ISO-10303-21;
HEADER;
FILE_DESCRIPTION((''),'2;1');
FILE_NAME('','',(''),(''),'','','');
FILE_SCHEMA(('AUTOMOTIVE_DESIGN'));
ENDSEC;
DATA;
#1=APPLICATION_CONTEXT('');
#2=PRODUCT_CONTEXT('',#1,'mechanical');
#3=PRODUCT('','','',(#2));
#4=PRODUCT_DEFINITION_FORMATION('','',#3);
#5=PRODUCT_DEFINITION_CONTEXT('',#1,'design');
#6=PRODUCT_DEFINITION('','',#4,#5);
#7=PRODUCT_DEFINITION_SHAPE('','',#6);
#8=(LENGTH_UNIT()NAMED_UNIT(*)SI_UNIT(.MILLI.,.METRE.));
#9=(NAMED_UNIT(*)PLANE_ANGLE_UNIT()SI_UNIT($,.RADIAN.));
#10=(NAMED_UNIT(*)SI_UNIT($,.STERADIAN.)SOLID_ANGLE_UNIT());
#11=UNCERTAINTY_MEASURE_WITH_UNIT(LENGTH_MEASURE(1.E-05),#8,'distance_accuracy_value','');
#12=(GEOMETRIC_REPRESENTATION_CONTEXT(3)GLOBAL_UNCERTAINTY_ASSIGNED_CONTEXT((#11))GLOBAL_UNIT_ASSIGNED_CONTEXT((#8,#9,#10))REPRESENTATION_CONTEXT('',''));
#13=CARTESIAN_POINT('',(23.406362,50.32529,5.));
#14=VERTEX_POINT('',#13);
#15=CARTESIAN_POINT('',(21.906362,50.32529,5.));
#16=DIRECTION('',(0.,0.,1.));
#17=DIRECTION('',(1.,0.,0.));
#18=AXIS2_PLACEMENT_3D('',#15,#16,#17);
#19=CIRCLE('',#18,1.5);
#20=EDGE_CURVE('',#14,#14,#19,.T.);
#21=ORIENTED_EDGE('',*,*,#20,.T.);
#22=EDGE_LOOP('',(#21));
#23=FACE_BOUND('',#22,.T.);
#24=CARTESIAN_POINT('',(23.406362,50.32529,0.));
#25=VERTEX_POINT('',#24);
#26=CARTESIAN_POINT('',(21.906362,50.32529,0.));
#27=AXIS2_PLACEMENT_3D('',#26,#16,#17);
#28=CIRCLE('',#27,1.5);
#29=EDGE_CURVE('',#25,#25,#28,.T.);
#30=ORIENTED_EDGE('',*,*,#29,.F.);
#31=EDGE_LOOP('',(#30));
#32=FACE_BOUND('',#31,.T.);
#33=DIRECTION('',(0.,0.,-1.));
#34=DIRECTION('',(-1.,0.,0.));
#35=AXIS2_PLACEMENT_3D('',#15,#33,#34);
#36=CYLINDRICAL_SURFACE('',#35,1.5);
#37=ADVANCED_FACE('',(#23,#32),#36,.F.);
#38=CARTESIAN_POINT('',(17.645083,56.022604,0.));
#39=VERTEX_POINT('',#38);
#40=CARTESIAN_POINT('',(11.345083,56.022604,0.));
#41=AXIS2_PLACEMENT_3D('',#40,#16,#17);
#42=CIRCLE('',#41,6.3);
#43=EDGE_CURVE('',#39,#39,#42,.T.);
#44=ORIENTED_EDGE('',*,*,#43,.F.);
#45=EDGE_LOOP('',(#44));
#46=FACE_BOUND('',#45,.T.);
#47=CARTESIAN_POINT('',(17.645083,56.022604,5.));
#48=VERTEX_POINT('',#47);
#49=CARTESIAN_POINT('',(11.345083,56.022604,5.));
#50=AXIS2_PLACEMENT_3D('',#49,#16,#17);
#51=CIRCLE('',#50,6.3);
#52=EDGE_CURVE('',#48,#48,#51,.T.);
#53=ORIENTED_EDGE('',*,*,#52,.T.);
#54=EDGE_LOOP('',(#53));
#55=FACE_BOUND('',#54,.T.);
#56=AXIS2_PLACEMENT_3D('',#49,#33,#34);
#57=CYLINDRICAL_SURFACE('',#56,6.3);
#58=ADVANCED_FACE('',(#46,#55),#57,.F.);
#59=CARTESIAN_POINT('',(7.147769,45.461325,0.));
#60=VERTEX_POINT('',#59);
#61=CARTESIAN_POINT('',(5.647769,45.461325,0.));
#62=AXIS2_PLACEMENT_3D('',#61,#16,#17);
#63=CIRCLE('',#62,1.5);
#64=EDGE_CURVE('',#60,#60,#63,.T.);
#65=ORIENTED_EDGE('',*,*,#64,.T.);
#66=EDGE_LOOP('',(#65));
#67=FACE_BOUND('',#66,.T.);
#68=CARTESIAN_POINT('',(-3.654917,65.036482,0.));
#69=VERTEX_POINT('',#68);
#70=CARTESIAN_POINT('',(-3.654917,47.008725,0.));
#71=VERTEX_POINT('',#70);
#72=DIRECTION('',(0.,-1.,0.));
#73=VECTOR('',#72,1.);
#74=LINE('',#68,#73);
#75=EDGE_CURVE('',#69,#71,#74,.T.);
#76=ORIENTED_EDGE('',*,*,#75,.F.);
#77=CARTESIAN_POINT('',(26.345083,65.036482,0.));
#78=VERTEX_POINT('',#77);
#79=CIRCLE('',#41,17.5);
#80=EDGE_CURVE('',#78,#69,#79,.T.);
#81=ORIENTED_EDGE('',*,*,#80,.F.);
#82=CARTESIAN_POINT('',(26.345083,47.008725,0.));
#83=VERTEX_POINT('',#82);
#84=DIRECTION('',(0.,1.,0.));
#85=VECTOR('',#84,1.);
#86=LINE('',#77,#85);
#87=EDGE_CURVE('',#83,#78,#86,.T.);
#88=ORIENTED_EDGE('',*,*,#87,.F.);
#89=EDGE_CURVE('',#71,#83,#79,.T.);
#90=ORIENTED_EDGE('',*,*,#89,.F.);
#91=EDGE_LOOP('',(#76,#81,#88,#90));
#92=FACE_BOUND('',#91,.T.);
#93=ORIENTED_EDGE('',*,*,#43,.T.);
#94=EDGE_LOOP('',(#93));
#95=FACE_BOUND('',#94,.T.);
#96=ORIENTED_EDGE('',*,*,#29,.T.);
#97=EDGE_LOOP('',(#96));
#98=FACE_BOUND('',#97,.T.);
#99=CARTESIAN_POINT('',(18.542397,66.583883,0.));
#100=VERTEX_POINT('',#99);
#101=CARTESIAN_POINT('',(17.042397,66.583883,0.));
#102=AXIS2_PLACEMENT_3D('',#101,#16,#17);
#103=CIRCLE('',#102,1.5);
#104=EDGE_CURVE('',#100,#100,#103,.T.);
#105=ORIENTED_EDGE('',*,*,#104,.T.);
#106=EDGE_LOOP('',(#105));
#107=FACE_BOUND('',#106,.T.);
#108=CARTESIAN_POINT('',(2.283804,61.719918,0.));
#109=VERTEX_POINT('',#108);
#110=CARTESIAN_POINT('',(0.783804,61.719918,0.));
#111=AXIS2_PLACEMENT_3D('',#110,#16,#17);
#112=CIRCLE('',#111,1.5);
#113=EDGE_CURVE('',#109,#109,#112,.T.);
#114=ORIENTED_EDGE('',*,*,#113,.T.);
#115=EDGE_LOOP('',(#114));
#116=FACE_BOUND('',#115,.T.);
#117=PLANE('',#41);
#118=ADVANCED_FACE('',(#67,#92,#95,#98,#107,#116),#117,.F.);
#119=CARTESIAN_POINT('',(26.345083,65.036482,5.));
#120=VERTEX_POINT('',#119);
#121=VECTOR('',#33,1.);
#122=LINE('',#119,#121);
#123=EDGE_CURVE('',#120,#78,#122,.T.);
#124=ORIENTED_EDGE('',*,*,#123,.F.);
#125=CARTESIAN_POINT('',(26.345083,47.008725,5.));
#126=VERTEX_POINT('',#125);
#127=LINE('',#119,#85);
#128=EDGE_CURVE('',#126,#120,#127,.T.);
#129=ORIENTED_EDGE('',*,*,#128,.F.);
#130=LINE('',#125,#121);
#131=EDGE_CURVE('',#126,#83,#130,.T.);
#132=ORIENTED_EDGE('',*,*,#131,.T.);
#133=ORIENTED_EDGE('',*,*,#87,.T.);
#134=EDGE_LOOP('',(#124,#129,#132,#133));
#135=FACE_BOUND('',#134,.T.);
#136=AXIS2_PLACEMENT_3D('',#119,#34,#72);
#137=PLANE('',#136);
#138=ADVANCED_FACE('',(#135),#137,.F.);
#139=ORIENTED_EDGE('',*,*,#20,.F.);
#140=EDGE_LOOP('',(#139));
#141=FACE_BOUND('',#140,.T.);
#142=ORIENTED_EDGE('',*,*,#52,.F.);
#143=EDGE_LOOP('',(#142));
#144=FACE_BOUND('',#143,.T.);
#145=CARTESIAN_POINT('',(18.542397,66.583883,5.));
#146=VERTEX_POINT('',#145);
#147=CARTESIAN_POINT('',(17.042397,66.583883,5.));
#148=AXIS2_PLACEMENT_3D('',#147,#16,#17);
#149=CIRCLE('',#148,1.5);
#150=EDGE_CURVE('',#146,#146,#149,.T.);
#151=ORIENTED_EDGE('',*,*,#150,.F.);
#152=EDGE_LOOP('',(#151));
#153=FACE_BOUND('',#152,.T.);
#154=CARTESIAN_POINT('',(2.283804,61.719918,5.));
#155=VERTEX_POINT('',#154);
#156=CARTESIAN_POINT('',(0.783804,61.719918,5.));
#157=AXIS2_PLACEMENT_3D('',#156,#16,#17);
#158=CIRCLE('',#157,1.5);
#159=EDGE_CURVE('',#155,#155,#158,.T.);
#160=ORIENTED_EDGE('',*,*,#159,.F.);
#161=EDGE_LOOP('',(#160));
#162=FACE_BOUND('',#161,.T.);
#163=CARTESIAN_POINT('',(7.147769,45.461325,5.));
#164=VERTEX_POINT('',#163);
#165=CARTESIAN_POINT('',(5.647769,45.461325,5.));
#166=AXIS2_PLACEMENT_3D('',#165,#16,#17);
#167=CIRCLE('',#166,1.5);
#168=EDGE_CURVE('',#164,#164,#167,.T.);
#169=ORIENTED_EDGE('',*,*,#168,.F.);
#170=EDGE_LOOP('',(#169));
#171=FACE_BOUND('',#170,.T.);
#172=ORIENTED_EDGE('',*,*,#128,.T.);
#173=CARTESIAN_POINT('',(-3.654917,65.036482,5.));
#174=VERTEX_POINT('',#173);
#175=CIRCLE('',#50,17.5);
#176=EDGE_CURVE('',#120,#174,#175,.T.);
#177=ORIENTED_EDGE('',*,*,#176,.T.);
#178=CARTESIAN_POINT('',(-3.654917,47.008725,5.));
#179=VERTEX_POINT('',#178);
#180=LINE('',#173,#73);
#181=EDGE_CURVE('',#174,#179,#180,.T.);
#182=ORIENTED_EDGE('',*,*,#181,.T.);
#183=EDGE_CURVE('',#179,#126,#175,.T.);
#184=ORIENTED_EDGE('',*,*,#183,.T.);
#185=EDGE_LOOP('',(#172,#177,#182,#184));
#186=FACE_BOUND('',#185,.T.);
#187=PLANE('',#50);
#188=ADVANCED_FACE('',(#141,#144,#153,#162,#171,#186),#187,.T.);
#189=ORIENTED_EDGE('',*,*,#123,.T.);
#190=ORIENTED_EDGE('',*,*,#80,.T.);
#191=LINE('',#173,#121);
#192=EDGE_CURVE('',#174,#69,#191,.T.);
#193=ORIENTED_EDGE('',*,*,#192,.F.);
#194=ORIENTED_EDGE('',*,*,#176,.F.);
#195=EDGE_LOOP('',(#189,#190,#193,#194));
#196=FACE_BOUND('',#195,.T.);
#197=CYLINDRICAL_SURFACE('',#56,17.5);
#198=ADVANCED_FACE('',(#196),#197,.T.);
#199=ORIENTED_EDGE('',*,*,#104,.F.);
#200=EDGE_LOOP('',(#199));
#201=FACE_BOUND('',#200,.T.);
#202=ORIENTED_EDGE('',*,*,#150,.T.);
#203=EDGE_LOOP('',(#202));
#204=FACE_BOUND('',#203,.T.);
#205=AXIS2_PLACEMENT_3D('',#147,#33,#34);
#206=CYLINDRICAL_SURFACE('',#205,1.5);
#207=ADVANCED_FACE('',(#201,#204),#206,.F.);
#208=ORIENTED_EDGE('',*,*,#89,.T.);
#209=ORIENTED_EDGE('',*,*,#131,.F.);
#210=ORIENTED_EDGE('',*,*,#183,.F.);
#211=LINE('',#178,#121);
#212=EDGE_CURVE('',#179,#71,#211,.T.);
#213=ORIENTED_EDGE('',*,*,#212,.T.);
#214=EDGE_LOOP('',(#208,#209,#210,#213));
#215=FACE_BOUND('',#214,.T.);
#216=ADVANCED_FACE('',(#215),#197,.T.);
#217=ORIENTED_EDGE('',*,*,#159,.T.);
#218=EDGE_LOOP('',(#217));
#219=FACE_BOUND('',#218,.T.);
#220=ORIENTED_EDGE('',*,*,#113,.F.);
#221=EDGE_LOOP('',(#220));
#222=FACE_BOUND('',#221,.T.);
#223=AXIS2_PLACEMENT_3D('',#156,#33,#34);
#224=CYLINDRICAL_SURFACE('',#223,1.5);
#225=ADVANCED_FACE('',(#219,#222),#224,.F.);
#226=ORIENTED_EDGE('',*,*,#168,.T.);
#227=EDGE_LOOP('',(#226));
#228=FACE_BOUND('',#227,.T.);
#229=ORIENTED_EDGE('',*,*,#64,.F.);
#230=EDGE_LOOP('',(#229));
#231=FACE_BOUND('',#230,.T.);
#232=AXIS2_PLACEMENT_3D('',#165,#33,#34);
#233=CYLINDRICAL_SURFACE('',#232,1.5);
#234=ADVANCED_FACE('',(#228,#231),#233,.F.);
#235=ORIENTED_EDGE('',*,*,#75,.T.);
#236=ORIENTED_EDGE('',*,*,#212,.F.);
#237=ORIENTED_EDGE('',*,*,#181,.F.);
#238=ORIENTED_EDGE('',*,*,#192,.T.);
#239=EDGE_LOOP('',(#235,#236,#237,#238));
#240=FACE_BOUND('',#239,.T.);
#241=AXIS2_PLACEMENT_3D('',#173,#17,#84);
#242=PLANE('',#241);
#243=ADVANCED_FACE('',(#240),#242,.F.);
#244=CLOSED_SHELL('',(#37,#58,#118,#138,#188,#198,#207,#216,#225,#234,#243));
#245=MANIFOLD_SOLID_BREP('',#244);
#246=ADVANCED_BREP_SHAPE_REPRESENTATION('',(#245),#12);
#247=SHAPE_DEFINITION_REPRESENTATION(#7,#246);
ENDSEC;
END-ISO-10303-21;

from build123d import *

# Parameters (mm, degrees)
SKETCH2_R           = 6.3
SKETCH2_R_2         = 1.5
BOSS_EXTRUDE1_DEPTH = 5


with BuildPart() as part:
    # Sketch2 → Boss-Extrude1 (new body)
    with BuildSketch(Plane.XY):
        with BuildLine():
            Line((-3.65491696, 65.036481871), (-3.65491696, 47.008725494))
            ThreePointArc((-3.65491696, 47.008725494), (11.34508304, 38.522603682), (26.34508304, 47.008725494))
            Line((26.34508304, 47.008725494), (26.34508304, 65.036481871))
            ThreePointArc((26.34508304, 65.036481871), (11.34508304, 73.522603682), (-3.65491696, 65.036481871))
        make_face()
        with Locations((11.34508304, 56.022603682)):
            Circle(SKETCH2_R, mode=Mode.SUBTRACT)
        with Locations((17.04239712, 66.583882595)):
            Circle(SKETCH2_R_2, mode=Mode.SUBTRACT)
        with Locations((5.64776896, 45.46132477)):
            Circle(SKETCH2_R_2, mode=Mode.SUBTRACT)
        with Locations((0.783804127, 61.719917763)):
            Circle(SKETCH2_R_2, mode=Mode.SUBTRACT)
        with Locations((21.906361952, 50.325289602)):
            Circle(SKETCH2_R_2, mode=Mode.SUBTRACT)
    extrude(amount=BOSS_EXTRUDE1_DEPTH)


solid = part.part
